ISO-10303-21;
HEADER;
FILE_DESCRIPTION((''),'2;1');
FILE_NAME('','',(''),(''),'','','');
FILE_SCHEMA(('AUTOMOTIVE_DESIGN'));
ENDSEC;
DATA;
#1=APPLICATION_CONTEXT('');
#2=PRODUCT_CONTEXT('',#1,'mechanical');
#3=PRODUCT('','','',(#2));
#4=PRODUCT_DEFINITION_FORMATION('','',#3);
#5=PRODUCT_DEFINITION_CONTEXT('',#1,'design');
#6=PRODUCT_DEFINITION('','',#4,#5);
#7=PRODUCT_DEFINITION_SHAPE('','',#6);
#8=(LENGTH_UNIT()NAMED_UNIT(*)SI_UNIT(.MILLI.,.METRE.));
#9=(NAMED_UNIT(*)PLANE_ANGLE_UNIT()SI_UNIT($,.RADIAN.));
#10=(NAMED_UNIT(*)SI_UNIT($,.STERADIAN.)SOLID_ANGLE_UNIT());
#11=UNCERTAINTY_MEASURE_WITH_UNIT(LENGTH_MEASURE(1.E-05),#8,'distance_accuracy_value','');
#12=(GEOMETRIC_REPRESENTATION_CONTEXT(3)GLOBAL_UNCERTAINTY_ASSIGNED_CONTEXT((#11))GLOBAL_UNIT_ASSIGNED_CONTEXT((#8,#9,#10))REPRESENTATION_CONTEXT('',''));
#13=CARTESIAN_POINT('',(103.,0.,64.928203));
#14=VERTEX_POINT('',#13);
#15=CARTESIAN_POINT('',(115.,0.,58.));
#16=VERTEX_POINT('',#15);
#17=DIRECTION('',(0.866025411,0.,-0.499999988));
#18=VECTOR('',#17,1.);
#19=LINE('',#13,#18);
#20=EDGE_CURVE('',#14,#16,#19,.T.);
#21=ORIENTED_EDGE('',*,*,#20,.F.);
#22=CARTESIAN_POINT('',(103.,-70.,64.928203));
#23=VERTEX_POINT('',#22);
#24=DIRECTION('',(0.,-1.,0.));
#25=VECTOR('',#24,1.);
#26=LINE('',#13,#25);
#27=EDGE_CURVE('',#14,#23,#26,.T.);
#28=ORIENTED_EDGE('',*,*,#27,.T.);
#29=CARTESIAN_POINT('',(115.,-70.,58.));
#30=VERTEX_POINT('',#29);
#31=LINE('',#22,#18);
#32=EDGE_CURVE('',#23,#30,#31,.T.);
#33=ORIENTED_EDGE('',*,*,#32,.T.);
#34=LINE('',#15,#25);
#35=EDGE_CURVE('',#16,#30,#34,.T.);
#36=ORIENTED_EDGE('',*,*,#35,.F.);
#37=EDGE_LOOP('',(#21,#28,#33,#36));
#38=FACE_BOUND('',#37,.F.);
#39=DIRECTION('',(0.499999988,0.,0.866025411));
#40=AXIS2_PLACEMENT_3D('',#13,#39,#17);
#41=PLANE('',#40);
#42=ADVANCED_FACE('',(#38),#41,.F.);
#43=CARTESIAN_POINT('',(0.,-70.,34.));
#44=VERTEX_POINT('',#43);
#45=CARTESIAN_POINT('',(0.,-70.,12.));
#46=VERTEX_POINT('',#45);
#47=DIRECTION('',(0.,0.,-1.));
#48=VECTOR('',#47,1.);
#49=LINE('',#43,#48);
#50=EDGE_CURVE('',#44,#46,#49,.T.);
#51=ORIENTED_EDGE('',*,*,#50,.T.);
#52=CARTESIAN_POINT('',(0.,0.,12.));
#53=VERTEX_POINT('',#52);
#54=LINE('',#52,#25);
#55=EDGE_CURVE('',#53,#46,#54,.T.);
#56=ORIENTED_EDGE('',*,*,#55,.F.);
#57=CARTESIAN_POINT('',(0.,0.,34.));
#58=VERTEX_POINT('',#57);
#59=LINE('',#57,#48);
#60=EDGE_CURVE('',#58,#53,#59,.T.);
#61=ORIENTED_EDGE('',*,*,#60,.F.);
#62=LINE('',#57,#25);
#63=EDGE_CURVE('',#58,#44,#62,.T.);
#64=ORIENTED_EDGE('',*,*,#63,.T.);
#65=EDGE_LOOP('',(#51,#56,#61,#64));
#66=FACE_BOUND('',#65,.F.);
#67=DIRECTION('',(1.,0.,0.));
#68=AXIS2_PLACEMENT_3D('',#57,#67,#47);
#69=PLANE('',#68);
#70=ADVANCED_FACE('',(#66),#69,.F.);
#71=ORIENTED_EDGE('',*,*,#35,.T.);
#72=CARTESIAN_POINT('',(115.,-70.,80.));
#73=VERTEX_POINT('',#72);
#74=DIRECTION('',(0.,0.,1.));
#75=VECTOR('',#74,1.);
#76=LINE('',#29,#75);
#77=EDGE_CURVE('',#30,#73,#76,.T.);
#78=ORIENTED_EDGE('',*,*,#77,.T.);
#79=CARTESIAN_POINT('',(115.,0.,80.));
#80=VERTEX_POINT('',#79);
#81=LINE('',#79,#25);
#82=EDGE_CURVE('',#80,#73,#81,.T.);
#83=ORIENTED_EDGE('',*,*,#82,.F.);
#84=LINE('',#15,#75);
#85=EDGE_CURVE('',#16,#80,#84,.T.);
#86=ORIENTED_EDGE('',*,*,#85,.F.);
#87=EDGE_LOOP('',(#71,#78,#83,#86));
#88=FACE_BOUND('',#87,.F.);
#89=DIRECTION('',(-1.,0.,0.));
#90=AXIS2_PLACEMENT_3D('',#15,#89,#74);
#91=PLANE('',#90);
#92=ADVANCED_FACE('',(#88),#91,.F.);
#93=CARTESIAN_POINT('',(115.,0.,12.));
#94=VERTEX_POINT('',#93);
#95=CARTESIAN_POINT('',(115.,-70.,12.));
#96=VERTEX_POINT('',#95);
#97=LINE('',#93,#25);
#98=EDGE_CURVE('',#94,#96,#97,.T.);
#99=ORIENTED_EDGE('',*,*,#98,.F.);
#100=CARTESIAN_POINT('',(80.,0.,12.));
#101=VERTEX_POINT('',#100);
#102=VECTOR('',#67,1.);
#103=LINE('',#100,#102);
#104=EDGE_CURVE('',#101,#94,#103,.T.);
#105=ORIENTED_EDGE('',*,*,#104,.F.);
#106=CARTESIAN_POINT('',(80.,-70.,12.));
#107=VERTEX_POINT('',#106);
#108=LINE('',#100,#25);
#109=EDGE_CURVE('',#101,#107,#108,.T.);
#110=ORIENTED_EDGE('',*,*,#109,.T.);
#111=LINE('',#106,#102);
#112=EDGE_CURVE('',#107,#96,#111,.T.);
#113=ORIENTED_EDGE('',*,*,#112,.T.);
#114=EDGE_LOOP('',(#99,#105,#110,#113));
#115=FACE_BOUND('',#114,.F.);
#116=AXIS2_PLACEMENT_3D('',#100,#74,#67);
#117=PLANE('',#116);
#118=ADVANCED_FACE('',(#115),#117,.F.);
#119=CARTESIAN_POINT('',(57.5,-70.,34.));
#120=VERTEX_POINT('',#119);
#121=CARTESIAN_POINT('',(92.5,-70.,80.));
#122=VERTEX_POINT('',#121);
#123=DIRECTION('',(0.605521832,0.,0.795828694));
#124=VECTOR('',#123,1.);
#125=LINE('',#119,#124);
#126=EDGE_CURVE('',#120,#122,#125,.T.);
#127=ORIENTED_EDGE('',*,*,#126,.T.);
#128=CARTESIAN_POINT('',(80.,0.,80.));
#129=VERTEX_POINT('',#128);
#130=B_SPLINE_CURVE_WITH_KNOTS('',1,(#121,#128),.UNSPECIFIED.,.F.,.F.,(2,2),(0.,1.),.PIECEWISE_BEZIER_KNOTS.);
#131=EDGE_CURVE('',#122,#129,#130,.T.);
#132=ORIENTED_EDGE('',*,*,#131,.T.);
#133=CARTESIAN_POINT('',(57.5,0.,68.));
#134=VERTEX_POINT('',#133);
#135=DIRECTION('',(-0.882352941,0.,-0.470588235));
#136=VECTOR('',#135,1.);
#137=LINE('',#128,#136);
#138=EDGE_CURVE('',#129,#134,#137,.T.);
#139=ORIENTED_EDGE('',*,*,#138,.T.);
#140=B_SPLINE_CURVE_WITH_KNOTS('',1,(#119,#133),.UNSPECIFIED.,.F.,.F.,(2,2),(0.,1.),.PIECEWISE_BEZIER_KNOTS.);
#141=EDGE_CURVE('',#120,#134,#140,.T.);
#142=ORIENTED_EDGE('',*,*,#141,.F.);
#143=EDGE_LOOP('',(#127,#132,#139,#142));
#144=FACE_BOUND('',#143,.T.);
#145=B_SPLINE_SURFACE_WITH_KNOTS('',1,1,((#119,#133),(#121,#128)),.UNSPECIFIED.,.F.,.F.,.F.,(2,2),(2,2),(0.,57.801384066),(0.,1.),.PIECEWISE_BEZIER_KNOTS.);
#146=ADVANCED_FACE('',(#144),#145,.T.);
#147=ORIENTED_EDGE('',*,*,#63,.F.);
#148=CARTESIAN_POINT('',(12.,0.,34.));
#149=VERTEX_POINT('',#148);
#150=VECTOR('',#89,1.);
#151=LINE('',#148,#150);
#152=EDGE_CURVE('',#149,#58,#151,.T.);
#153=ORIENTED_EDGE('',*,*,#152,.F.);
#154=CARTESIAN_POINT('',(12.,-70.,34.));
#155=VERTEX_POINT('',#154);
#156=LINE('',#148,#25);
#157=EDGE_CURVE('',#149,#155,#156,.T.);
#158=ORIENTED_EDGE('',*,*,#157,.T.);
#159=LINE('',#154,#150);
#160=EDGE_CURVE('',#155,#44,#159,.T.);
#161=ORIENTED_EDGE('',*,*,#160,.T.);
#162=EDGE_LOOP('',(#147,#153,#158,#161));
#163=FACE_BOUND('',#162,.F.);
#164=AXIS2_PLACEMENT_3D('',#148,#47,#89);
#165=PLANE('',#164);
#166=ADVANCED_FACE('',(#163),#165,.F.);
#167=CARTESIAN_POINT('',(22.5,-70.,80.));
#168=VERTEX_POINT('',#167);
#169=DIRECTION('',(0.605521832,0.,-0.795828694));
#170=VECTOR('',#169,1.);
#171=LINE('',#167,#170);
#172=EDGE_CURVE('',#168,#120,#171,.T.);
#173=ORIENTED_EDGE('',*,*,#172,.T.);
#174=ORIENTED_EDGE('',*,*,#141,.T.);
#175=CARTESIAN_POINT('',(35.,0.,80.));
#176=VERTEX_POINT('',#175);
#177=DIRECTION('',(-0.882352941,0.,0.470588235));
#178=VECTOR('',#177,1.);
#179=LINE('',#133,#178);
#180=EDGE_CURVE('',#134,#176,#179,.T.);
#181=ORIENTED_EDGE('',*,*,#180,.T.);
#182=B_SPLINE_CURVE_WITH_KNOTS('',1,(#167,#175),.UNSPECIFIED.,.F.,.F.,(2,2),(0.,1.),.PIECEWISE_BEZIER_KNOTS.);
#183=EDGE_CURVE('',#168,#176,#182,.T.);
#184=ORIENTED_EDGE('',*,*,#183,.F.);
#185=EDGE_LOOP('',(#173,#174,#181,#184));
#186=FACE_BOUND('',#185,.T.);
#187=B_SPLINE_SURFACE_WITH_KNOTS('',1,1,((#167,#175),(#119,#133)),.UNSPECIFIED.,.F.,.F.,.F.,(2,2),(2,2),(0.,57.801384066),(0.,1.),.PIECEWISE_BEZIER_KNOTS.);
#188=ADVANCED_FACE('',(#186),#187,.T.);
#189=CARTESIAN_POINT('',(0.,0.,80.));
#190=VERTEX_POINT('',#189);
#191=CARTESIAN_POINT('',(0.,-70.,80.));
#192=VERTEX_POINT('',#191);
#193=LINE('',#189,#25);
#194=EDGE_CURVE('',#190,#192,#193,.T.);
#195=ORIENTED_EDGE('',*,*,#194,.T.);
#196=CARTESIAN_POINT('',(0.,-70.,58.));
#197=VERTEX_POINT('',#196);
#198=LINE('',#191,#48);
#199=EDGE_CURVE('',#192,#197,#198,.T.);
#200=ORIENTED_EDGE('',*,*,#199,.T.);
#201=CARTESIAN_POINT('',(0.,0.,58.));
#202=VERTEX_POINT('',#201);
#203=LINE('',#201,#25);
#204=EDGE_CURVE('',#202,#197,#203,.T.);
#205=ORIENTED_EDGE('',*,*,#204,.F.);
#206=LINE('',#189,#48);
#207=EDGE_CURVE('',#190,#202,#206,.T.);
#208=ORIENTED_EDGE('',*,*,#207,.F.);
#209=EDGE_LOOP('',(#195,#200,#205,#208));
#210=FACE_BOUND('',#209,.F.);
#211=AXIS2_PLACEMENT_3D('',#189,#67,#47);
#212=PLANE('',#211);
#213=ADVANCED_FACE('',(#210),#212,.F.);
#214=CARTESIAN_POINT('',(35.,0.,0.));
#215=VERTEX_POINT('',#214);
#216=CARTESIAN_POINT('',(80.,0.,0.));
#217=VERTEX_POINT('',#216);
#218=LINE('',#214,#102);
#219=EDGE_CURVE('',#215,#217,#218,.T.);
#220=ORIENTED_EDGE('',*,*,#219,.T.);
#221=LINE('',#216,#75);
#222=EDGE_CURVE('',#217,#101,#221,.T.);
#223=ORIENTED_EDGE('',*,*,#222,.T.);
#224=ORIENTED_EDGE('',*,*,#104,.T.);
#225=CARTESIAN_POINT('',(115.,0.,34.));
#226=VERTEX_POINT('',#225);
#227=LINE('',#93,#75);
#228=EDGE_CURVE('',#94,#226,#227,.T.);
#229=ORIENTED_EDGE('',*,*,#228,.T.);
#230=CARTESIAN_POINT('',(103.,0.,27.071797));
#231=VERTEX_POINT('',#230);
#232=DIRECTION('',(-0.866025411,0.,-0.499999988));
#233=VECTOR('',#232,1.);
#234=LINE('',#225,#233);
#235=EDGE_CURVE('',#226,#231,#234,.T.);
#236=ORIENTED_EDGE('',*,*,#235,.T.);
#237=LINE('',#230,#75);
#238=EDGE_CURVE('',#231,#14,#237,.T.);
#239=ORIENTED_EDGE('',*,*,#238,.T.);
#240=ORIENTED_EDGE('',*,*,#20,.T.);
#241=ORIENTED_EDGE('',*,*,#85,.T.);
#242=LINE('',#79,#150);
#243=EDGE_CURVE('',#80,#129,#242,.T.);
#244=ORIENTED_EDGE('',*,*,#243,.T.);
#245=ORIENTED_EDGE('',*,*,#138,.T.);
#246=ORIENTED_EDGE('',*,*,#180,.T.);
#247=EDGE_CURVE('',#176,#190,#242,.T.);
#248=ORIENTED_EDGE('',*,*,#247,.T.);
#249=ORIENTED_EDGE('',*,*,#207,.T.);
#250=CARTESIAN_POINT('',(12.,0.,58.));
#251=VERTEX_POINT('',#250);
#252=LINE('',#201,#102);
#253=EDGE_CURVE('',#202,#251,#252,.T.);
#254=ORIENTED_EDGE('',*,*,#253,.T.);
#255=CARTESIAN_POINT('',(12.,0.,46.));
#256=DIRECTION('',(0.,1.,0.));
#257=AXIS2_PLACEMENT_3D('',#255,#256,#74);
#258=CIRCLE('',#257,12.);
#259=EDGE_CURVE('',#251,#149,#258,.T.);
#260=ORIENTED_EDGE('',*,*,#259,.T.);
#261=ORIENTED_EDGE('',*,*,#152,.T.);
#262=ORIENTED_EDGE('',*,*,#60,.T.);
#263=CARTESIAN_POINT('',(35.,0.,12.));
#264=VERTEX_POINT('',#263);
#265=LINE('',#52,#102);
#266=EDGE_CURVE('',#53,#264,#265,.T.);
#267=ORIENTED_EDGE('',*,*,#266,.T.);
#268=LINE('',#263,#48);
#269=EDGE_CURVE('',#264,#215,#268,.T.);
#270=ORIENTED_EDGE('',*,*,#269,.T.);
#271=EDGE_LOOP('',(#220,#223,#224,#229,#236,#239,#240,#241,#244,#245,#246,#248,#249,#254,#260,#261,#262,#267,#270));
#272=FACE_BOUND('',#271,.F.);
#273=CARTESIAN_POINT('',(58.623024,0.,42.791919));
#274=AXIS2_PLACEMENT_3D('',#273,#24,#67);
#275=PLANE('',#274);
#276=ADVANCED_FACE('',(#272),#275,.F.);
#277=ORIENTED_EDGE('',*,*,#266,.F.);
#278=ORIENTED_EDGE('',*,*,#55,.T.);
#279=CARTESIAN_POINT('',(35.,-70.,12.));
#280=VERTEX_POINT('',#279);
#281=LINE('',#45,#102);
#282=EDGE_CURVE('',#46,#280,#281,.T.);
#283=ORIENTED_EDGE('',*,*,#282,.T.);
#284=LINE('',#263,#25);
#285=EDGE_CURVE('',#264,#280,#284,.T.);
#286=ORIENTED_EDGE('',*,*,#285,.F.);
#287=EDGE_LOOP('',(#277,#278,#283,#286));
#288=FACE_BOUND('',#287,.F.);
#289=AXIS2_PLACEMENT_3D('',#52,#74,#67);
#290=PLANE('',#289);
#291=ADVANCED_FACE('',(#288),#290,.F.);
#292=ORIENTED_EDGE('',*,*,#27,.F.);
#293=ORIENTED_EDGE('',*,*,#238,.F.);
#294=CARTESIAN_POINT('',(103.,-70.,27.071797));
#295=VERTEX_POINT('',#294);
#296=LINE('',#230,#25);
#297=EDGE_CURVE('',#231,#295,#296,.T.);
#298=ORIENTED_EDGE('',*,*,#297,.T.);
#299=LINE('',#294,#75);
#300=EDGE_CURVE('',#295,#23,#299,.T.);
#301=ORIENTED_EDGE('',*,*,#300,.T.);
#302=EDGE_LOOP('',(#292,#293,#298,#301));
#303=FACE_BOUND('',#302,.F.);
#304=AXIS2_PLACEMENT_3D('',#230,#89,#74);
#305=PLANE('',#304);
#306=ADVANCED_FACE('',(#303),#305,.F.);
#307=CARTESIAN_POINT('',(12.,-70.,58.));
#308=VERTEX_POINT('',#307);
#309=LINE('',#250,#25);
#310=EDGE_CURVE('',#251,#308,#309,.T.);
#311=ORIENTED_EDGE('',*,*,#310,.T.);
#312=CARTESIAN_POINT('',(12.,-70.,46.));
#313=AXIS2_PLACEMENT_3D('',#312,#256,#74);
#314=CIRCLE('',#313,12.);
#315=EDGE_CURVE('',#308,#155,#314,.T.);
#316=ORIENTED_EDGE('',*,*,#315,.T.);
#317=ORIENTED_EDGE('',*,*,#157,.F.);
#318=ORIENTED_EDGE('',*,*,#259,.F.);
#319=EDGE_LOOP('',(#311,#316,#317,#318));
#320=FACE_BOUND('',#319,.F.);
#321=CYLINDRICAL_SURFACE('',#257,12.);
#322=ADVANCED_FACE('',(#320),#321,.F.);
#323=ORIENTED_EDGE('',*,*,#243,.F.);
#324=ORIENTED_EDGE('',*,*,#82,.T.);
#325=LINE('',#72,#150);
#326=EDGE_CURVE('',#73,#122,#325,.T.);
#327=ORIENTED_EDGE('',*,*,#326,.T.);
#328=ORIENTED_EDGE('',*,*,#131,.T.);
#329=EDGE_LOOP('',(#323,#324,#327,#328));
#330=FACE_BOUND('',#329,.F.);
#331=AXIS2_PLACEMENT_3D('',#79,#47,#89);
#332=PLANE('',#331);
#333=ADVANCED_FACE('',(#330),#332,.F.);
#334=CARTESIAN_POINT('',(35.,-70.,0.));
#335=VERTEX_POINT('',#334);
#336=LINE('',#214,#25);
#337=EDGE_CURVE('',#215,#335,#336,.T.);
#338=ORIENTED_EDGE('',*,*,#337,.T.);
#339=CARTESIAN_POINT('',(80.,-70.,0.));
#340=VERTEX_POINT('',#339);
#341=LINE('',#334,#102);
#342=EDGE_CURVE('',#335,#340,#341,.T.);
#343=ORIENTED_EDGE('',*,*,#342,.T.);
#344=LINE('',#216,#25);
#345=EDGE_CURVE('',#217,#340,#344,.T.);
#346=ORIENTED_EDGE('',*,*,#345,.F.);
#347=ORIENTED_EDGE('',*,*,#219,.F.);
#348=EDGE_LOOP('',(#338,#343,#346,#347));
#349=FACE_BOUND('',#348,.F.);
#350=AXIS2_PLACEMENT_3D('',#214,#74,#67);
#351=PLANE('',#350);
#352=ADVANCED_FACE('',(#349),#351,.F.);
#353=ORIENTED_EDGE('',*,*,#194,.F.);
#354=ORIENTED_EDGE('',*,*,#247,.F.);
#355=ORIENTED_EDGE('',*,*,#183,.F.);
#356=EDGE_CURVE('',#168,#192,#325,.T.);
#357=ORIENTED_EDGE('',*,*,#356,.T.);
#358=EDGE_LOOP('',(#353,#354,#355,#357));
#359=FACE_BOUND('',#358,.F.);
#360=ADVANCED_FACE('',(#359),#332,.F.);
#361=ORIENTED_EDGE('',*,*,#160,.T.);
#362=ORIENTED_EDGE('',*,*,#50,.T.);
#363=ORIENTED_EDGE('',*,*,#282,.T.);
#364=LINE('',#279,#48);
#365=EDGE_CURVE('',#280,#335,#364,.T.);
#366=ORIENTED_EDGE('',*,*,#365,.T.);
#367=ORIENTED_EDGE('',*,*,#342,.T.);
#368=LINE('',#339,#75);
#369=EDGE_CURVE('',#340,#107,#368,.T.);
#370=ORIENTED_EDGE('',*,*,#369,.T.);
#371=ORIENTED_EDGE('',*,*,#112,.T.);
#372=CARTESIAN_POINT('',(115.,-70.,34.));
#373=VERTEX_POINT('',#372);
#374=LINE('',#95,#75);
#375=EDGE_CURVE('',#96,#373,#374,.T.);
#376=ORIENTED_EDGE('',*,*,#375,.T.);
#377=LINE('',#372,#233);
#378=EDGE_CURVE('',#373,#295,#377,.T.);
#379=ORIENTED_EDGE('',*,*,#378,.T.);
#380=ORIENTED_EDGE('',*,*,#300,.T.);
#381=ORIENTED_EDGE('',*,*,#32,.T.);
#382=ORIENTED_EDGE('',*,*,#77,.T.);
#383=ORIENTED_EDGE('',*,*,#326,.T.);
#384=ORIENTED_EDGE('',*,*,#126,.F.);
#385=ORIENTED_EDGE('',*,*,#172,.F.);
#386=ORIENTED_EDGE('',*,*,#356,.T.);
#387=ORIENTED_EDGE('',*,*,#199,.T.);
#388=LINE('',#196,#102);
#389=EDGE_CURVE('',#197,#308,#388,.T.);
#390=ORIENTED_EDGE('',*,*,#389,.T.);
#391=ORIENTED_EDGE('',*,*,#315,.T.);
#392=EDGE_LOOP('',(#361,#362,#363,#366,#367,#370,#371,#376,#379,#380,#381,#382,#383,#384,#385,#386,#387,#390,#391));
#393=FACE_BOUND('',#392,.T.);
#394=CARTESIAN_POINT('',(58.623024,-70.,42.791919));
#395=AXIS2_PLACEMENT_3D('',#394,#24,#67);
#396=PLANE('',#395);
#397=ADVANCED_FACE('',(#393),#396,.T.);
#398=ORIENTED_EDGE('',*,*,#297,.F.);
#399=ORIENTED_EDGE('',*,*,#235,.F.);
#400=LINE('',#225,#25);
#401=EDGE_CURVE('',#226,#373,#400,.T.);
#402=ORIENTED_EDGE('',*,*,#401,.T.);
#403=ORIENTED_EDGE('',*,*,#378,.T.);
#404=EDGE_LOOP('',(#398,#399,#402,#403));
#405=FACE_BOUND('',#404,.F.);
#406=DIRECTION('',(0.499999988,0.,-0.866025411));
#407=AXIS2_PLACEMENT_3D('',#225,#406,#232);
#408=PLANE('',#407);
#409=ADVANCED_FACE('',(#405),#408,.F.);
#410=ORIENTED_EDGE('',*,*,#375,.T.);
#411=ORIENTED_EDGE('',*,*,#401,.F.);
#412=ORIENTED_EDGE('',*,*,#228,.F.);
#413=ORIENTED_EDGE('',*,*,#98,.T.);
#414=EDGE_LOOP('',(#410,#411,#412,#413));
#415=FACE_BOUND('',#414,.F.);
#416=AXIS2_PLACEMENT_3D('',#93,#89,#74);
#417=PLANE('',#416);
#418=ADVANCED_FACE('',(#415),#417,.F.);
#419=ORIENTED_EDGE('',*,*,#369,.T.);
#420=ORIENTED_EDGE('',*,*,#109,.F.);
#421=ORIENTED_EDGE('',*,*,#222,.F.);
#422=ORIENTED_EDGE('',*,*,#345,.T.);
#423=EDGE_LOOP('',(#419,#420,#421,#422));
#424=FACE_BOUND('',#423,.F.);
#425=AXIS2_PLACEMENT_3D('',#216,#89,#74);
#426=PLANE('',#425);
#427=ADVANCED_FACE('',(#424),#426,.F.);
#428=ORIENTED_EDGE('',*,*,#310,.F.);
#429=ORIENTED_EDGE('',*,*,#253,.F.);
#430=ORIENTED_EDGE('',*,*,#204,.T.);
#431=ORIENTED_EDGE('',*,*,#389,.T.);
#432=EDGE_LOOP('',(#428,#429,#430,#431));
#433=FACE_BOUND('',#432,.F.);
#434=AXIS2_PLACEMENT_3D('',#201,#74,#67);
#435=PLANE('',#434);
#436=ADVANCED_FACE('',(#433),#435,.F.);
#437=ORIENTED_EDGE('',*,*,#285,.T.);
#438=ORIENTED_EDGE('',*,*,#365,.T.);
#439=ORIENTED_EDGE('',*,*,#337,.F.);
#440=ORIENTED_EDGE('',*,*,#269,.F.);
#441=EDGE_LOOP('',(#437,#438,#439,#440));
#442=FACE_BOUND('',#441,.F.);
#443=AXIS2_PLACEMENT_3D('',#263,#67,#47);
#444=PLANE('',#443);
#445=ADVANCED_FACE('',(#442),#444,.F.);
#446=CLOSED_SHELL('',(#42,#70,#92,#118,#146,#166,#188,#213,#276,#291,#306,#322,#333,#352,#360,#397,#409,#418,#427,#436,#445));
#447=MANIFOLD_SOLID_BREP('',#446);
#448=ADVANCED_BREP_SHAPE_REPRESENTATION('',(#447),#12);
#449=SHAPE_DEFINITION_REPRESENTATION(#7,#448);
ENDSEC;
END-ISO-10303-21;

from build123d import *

# Parameters (mm, degrees)
F1_DEPTH = 70


with BuildPart() as f1:
    # F0 (on Front) → F1 (new body)
    with BuildSketch(Plane.XZ):
        with BuildLine():
            Line((0, 34), (0, 12))
            Line((0, 12), (35, 12))
            Line((35, 12), (35, 0))
            Line((35, 0), (80, 0))
            Line((80, 0), (80, 12))
            Line((80, 12), (115, 12))
            Line((115, 12), (115, 34))
            Line((115, 34), (103, 27.071797))
            Line((103, 27.071797), (103, 64.928203))
            Line((103, 64.928203), (115, 58))
            Line((115, 58), (115, 80))
            Line((115, 80), (0, 80))
            Line((0, 80), (0, 58))
            Line((0, 58), (12, 58))
            ThreePointArc((12, 58), (24, 46), (12, 34))
            Line((12, 34), (0, 34))
        make_face()
    extrude(amount=F1_DEPTH)

    # F3 (on face) → F4 section 0
    with BuildSketch(Plane.XZ.offset(70)):
        Polygon((92.5, 80), (22.5, 80), (57.5, 34), align=None)
    # F2 (on face) → F4 section 1
    with BuildSketch(Plane(origin=(0, 0, 0), x_dir=(-1, 0, 0), z_dir=(0, 1, 0))):
        Polygon((-80, 80), (-57.5, 68), (-35, 80), align=None)
    loft(mode=Mode.SUBTRACT)


solid = f1.part
